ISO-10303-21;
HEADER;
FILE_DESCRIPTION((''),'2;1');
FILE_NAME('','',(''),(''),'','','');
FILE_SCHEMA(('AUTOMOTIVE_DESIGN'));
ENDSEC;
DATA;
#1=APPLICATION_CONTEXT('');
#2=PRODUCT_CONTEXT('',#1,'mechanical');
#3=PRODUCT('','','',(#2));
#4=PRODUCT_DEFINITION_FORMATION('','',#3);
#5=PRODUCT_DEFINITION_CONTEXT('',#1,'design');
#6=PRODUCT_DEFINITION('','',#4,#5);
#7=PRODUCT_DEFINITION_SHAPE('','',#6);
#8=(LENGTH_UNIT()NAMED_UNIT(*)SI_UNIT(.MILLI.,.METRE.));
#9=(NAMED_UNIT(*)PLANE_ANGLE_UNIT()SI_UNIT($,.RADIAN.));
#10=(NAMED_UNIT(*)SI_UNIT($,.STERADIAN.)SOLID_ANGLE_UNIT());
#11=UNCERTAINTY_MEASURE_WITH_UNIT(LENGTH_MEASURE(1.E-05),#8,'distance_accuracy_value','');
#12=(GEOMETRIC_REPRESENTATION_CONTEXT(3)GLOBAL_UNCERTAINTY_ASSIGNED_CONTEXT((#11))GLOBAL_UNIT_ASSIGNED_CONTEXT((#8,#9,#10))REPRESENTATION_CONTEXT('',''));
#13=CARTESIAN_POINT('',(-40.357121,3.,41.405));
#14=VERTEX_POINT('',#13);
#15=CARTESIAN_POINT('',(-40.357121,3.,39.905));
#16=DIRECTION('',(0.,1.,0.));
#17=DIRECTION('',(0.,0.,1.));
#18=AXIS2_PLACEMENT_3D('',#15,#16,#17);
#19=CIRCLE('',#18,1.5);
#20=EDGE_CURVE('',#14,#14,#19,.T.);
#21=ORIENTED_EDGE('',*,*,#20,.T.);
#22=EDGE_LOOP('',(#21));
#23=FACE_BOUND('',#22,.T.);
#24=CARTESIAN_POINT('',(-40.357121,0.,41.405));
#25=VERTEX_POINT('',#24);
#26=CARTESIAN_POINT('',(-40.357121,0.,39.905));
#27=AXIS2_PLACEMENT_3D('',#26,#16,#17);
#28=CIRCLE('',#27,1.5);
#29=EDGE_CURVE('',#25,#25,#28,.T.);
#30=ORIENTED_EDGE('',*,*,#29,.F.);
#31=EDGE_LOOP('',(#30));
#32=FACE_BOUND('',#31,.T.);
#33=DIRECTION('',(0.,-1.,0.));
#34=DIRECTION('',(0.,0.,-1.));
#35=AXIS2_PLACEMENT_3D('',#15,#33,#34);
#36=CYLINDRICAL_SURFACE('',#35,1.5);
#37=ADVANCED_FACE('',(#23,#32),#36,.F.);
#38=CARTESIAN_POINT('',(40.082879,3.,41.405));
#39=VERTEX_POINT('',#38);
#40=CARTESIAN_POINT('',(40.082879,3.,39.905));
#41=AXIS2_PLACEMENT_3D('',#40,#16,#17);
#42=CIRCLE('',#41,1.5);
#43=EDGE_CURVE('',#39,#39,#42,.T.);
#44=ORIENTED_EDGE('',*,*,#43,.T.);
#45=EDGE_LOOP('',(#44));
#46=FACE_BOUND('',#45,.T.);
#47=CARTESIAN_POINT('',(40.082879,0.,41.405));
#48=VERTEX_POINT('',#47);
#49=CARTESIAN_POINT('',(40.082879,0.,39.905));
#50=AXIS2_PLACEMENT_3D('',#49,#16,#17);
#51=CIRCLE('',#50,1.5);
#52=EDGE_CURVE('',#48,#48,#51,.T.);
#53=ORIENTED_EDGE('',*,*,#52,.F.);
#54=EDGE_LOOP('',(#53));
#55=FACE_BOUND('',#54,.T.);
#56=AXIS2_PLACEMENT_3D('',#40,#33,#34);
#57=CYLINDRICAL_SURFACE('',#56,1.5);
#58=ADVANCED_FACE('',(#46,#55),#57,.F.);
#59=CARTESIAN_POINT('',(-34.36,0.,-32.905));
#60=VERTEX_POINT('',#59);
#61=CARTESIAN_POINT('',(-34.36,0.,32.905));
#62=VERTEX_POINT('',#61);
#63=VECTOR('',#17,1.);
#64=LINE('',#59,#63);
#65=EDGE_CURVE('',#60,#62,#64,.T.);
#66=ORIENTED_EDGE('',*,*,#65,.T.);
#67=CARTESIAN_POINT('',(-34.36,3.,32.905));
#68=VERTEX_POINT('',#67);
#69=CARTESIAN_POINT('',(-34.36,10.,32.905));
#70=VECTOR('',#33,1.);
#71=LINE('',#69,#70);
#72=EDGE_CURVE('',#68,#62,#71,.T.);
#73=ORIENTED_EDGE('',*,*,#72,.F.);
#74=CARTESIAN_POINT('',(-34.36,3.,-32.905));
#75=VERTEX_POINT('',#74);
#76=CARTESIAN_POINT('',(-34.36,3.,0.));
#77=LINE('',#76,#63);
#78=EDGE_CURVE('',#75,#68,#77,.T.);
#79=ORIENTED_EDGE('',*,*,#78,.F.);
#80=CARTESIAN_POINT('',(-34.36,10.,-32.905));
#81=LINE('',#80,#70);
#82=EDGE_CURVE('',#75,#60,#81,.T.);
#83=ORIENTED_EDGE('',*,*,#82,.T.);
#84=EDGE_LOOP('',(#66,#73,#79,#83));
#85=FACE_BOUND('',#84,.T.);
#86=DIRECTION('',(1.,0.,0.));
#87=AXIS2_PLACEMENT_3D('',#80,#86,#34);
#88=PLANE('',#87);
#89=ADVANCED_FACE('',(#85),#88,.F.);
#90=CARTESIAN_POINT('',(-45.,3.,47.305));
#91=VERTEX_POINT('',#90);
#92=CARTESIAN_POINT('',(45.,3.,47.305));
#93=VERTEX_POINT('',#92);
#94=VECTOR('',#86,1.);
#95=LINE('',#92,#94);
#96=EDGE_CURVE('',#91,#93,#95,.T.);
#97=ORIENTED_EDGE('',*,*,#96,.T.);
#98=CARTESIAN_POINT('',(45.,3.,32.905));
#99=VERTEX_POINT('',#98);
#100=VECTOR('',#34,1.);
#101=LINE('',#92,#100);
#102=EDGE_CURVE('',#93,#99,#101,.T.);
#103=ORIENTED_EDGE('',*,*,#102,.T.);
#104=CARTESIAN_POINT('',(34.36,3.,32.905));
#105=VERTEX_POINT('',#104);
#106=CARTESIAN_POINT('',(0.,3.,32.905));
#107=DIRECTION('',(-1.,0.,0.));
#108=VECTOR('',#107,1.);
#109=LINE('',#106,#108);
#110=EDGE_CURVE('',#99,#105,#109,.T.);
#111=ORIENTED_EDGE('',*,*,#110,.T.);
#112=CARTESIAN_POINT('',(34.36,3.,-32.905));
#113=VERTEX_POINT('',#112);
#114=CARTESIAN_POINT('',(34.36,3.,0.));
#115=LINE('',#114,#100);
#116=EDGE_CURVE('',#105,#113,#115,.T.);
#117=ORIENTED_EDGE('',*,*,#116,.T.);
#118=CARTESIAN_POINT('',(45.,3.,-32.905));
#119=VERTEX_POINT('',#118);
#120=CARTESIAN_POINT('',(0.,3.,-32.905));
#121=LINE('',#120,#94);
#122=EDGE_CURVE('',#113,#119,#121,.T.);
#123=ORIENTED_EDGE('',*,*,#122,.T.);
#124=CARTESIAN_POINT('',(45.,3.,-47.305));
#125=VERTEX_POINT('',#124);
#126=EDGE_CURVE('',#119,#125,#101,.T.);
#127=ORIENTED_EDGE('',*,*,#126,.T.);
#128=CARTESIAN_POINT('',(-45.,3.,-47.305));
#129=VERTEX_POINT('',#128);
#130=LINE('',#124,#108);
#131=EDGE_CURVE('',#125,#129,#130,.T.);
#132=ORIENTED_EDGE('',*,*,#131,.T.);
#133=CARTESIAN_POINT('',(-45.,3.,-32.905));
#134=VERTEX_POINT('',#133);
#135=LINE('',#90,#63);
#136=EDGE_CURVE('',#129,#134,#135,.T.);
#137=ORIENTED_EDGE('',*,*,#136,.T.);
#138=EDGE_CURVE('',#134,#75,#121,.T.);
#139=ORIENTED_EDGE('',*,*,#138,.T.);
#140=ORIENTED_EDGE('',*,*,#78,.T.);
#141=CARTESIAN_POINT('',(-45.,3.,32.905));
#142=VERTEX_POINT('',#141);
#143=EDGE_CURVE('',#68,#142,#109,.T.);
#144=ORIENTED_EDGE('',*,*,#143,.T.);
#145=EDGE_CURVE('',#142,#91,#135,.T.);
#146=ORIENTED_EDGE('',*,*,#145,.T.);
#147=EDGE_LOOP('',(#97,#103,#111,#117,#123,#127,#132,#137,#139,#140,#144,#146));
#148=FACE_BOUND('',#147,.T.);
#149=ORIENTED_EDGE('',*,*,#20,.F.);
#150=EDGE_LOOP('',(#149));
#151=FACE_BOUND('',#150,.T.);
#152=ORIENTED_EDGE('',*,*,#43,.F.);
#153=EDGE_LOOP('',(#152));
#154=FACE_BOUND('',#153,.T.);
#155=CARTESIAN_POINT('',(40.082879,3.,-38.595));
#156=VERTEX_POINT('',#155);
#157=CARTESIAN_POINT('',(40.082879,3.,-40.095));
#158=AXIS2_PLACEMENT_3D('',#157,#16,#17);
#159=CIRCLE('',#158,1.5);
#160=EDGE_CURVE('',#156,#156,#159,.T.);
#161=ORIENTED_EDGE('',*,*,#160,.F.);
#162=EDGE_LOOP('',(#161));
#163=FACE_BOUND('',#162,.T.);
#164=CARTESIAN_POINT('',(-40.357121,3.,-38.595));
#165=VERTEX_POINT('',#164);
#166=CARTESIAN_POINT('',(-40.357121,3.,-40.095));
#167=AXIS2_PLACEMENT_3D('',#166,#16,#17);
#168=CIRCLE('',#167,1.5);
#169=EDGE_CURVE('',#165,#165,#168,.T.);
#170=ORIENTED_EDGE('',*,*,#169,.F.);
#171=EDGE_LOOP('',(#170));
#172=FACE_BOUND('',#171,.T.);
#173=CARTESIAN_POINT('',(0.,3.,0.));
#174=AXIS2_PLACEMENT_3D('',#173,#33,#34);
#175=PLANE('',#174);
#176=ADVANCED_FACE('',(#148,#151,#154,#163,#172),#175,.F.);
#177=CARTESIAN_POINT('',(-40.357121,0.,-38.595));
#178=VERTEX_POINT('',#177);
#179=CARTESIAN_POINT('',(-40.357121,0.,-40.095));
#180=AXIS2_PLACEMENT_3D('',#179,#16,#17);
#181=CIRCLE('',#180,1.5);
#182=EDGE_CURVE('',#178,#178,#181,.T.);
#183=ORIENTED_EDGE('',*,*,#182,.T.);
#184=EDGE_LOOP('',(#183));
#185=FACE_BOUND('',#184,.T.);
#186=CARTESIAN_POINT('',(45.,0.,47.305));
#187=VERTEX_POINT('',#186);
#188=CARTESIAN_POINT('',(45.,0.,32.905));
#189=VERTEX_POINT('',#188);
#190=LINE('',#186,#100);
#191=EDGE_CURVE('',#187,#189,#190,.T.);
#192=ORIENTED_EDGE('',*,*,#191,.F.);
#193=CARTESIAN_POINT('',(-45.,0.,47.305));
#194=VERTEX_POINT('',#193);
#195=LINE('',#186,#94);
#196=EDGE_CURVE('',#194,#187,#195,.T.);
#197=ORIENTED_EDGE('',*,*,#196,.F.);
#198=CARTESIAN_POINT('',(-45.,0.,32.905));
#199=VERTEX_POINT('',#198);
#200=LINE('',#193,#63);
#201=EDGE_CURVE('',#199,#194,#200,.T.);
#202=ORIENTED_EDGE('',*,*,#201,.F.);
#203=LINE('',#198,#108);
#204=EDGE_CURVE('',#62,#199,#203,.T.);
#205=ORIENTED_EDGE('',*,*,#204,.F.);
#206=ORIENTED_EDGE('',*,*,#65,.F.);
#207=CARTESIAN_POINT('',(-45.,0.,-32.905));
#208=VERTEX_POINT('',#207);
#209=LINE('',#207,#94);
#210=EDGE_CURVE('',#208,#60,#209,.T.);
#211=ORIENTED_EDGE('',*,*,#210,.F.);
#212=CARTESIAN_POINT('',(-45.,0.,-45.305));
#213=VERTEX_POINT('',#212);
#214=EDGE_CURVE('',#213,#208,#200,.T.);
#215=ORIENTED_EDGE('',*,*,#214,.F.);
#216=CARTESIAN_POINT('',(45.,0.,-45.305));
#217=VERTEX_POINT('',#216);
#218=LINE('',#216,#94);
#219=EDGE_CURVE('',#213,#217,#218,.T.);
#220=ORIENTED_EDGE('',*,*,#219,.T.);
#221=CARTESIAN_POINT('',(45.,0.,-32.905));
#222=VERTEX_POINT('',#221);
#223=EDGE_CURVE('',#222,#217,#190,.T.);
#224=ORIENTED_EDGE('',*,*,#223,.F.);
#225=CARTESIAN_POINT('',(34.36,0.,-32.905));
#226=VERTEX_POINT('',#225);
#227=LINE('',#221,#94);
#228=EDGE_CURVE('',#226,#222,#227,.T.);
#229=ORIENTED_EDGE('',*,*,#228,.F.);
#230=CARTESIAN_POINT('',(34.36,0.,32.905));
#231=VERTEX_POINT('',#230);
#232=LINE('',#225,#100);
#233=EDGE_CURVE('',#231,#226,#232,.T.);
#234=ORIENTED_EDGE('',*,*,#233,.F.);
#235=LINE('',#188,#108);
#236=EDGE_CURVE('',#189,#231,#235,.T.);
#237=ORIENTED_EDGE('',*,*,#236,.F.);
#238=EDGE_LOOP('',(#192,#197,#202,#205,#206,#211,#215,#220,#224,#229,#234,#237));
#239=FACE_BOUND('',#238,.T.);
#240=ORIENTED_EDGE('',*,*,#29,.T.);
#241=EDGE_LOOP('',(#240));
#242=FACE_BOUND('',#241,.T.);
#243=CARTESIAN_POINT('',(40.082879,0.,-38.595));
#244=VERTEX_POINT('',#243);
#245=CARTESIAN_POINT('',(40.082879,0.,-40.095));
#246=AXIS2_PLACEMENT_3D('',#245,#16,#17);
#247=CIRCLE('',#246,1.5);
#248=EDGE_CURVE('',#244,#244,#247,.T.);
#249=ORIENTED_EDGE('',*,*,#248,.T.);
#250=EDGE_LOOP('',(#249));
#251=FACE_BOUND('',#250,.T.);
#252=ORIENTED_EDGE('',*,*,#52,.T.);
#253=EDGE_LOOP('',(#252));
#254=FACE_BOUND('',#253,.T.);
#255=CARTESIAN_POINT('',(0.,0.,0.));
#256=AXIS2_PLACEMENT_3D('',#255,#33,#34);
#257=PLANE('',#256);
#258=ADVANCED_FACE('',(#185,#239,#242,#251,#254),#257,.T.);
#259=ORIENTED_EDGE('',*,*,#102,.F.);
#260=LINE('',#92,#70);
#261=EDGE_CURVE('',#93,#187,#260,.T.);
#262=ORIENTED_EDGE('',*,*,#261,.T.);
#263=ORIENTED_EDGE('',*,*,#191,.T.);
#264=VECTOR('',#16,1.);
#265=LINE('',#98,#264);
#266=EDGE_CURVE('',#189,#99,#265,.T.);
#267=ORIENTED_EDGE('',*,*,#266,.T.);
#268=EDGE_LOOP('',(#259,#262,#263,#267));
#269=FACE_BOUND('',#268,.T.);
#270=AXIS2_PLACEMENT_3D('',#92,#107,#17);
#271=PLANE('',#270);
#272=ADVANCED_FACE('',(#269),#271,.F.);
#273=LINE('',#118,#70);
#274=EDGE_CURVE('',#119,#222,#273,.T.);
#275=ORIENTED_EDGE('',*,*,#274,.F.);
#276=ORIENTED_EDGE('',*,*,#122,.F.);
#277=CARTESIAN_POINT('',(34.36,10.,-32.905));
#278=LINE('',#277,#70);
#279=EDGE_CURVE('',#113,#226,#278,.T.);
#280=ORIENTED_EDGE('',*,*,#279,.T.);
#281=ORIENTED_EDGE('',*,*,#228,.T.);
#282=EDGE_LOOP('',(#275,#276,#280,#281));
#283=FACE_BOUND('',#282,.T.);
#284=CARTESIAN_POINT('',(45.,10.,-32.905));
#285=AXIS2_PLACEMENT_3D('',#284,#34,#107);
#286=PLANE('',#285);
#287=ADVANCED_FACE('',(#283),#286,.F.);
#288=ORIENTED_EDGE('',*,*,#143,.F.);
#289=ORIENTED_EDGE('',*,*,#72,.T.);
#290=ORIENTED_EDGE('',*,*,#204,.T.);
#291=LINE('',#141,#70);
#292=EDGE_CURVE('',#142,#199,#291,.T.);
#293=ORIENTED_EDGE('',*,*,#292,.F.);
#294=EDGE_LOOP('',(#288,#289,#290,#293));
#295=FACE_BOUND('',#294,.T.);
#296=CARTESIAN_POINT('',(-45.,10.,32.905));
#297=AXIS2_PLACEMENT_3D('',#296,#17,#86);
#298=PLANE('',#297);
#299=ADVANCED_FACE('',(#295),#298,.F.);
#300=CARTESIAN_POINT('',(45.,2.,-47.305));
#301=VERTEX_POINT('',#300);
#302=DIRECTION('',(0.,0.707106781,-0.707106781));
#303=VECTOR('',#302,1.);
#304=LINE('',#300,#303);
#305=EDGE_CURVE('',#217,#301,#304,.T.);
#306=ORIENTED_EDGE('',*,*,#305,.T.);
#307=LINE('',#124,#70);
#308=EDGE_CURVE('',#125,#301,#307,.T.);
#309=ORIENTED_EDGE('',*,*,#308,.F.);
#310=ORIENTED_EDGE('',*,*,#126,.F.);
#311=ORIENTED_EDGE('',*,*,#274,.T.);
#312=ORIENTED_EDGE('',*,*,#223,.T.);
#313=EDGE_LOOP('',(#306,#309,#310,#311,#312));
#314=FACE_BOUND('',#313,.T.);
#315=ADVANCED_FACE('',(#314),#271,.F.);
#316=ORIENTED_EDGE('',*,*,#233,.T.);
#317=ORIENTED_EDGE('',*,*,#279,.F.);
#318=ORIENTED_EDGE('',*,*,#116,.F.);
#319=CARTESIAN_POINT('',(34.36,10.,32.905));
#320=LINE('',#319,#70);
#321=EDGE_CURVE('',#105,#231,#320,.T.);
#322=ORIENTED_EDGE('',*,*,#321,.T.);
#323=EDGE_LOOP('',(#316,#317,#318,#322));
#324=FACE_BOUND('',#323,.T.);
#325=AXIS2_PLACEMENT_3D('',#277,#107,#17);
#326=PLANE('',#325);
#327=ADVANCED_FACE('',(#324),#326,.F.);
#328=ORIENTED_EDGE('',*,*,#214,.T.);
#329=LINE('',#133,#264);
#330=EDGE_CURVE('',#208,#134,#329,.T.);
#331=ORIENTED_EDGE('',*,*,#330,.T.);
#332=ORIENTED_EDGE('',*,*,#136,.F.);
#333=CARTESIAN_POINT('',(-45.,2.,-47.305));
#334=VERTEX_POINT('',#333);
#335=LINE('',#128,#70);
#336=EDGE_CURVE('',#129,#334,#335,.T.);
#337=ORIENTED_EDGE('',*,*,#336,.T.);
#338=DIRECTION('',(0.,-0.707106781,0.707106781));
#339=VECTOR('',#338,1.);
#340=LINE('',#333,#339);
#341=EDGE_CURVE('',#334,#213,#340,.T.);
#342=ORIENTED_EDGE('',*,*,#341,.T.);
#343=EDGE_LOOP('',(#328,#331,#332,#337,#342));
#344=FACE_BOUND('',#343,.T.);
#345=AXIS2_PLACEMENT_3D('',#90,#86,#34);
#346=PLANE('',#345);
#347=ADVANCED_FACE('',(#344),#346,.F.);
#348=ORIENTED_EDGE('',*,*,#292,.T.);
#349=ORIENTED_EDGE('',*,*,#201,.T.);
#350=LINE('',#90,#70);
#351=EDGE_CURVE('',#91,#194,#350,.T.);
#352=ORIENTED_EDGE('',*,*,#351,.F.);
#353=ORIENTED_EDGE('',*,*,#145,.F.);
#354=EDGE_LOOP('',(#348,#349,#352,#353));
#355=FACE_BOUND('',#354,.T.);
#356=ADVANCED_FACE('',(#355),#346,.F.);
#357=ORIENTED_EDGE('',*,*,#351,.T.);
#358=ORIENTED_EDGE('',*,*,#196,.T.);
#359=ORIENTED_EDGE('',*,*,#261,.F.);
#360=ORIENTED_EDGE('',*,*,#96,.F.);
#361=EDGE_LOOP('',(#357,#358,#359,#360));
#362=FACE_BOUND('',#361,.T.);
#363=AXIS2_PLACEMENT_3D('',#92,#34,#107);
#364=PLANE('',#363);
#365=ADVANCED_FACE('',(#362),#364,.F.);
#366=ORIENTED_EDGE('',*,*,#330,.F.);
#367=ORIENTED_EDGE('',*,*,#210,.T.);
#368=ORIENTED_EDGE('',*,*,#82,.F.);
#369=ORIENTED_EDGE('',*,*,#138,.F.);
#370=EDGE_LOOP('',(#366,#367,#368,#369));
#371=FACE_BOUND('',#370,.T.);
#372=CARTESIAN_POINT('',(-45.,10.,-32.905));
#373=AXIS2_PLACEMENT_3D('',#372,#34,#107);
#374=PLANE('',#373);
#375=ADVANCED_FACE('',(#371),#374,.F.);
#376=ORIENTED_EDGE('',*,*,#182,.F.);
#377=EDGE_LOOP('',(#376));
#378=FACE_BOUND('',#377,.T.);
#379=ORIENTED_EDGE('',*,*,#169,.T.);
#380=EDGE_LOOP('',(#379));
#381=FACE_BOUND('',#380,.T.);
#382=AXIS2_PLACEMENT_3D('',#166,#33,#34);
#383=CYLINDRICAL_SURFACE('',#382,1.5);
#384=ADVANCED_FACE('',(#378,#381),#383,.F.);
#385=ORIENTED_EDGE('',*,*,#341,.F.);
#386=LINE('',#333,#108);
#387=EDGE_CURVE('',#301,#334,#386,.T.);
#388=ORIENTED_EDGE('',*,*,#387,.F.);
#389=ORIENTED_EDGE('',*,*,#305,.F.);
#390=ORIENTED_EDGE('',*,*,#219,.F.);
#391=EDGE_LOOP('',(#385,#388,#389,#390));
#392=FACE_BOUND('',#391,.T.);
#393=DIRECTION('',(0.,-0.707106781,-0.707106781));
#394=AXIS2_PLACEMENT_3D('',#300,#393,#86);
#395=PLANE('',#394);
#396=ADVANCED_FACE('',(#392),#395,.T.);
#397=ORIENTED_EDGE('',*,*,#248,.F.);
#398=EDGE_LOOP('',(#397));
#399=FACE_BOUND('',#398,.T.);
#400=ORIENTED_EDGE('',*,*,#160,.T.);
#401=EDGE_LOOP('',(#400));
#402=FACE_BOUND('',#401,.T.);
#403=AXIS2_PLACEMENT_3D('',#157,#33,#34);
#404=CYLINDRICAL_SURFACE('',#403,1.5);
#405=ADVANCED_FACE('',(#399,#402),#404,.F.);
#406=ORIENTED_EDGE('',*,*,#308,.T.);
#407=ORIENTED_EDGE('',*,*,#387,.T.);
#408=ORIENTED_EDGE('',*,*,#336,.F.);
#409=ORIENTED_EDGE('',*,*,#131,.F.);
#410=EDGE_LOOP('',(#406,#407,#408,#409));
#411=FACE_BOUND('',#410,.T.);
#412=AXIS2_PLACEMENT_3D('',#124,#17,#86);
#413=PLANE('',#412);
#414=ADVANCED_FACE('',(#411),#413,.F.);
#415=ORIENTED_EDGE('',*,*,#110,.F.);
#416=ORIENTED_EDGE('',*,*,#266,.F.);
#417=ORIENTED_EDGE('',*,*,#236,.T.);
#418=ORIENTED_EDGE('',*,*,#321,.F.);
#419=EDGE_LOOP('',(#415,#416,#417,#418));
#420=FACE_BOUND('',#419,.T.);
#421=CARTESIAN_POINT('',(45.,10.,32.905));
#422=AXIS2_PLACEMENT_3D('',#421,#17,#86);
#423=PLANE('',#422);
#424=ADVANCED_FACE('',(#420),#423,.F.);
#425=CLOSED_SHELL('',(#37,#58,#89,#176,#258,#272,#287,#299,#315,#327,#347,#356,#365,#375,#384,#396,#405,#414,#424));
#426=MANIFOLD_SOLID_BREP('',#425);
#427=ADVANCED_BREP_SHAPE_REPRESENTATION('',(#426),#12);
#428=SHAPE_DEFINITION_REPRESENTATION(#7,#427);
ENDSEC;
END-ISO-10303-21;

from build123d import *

# Parameters (mm, degrees)
SKETCH2_W           = 90
SKETCH2_H           = 94.61
SKETCH2_R           = 1.5
BOSS_EXTRUDE1_DEPTH = 3
SKETCH3_W           = 10.64
SKETCH3_H           = 65.81
CUT_EXTRUDE1_DEPTH  = 10
CHAMFER1_SIZE       = 2


with BuildPart() as part:
    # Sketch2 → Boss-Extrude1 (new body)
    with BuildSketch(Plane(origin=(0, 0, 0), x_dir=(1, 0, 0), z_dir=(0, 1, 0))):
        Rectangle(SKETCH2_W, SKETCH2_H)
        with Locations((40.082878696, -39.905)):
            Circle(SKETCH2_R, mode=Mode.SUBTRACT)
        with Locations((-40.357121304, -39.905)):
            Circle(SKETCH2_R, mode=Mode.SUBTRACT)
        with Locations((40.082878696, 40.095)):
            Circle(SKETCH2_R, mode=Mode.SUBTRACT)
        with Locations((-40.357121304, 40.095)):
            Circle(SKETCH2_R, mode=Mode.SUBTRACT)
    extrude(amount=BOSS_EXTRUDE1_DEPTH)

    # Sketch3 → Cut-Extrude1 (cut)
    with BuildSketch(Plane(origin=(0, 0, 0), x_dir=(-1, 0, 0), z_dir=(0, -1, 0))):
        with Locations((39.68, 0)):
            Rectangle(SKETCH3_W, SKETCH3_H)
        with Locations((-39.68, 0)):
            Rectangle(SKETCH3_W, SKETCH3_H)
    extrude(amount=-CUT_EXTRUDE1_DEPTH, mode=Mode.SUBTRACT)

    # Chamfer1
    chamfer1_edges = [part.edges().sort_by_distance(p)[0] for p in [
        (0, 0, -47.305),
    ]]
    chamfer(chamfer1_edges, length=CHAMFER1_SIZE)


solid = part.part
